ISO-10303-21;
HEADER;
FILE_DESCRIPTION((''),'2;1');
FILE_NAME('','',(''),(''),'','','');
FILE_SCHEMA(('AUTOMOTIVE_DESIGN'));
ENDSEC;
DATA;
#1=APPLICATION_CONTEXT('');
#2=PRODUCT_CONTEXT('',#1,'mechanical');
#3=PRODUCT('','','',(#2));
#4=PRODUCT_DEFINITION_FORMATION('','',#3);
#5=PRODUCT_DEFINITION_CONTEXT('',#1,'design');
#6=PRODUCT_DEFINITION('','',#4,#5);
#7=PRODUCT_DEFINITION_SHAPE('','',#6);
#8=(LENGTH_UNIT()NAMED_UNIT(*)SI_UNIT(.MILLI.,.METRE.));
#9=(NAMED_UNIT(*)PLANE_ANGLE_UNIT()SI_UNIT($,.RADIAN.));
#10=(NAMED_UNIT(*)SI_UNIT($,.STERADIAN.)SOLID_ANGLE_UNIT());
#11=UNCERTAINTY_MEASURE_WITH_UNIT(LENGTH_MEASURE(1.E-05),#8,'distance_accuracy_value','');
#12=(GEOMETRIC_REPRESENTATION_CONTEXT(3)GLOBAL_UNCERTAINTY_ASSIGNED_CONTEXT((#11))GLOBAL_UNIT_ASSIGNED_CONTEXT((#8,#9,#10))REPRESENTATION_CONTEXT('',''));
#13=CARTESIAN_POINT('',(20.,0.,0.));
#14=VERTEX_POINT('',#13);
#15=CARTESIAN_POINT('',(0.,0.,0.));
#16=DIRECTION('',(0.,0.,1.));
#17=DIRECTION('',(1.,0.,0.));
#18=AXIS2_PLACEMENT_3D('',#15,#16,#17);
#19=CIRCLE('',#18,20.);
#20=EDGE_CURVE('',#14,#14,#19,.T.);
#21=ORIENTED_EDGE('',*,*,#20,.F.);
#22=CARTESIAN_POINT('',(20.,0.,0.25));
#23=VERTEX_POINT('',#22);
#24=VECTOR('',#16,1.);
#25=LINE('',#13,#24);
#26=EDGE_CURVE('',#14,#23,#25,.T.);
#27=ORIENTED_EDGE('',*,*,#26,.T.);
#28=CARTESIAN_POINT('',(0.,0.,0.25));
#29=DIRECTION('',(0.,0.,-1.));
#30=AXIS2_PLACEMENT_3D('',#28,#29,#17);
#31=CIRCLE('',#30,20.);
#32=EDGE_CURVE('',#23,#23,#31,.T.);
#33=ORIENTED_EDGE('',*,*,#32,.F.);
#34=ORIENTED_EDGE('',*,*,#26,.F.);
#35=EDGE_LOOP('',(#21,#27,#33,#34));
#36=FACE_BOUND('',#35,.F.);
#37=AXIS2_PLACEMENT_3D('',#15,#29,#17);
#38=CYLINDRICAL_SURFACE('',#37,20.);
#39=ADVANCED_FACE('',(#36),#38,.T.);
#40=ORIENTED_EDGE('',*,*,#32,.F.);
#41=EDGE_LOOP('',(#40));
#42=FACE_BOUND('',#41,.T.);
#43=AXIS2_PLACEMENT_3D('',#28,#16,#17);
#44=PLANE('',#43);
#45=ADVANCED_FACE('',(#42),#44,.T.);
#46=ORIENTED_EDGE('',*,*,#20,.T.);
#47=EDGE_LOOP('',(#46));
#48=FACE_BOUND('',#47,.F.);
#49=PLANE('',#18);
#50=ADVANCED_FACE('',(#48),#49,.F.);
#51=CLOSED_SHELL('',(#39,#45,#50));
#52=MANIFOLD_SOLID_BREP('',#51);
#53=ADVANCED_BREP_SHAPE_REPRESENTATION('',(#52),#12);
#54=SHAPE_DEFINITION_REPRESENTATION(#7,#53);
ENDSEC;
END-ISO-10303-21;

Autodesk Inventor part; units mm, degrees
ref_plane "YZ Plane" through (0, 0, 0) normal (1, 0, 0) x (0, 1, 0)
ref_plane "XZ Plane" through (0, 0, 0) normal (0, 1, 0) x (-1, 0, 0)
ref_plane "XY Plane" through (0, 0, 0) normal (0, 0, 1) x (1, 0, 0)
sketch "Skizze1" plane through (0, 0, 0) normal (0, 0, 1) x (1, 0, 0)
  line L0 (-28, 0) -> (28, 0) projected
  line L1 (0, 28) -> (0, -28) projected
  circle A0 centre (0, 0) radius 20
  dimension "d6" = 40
extrude "Extrusion1" add sketch "Skizze1" along normal blind 0.25
properties part number "Papier 40mm"
